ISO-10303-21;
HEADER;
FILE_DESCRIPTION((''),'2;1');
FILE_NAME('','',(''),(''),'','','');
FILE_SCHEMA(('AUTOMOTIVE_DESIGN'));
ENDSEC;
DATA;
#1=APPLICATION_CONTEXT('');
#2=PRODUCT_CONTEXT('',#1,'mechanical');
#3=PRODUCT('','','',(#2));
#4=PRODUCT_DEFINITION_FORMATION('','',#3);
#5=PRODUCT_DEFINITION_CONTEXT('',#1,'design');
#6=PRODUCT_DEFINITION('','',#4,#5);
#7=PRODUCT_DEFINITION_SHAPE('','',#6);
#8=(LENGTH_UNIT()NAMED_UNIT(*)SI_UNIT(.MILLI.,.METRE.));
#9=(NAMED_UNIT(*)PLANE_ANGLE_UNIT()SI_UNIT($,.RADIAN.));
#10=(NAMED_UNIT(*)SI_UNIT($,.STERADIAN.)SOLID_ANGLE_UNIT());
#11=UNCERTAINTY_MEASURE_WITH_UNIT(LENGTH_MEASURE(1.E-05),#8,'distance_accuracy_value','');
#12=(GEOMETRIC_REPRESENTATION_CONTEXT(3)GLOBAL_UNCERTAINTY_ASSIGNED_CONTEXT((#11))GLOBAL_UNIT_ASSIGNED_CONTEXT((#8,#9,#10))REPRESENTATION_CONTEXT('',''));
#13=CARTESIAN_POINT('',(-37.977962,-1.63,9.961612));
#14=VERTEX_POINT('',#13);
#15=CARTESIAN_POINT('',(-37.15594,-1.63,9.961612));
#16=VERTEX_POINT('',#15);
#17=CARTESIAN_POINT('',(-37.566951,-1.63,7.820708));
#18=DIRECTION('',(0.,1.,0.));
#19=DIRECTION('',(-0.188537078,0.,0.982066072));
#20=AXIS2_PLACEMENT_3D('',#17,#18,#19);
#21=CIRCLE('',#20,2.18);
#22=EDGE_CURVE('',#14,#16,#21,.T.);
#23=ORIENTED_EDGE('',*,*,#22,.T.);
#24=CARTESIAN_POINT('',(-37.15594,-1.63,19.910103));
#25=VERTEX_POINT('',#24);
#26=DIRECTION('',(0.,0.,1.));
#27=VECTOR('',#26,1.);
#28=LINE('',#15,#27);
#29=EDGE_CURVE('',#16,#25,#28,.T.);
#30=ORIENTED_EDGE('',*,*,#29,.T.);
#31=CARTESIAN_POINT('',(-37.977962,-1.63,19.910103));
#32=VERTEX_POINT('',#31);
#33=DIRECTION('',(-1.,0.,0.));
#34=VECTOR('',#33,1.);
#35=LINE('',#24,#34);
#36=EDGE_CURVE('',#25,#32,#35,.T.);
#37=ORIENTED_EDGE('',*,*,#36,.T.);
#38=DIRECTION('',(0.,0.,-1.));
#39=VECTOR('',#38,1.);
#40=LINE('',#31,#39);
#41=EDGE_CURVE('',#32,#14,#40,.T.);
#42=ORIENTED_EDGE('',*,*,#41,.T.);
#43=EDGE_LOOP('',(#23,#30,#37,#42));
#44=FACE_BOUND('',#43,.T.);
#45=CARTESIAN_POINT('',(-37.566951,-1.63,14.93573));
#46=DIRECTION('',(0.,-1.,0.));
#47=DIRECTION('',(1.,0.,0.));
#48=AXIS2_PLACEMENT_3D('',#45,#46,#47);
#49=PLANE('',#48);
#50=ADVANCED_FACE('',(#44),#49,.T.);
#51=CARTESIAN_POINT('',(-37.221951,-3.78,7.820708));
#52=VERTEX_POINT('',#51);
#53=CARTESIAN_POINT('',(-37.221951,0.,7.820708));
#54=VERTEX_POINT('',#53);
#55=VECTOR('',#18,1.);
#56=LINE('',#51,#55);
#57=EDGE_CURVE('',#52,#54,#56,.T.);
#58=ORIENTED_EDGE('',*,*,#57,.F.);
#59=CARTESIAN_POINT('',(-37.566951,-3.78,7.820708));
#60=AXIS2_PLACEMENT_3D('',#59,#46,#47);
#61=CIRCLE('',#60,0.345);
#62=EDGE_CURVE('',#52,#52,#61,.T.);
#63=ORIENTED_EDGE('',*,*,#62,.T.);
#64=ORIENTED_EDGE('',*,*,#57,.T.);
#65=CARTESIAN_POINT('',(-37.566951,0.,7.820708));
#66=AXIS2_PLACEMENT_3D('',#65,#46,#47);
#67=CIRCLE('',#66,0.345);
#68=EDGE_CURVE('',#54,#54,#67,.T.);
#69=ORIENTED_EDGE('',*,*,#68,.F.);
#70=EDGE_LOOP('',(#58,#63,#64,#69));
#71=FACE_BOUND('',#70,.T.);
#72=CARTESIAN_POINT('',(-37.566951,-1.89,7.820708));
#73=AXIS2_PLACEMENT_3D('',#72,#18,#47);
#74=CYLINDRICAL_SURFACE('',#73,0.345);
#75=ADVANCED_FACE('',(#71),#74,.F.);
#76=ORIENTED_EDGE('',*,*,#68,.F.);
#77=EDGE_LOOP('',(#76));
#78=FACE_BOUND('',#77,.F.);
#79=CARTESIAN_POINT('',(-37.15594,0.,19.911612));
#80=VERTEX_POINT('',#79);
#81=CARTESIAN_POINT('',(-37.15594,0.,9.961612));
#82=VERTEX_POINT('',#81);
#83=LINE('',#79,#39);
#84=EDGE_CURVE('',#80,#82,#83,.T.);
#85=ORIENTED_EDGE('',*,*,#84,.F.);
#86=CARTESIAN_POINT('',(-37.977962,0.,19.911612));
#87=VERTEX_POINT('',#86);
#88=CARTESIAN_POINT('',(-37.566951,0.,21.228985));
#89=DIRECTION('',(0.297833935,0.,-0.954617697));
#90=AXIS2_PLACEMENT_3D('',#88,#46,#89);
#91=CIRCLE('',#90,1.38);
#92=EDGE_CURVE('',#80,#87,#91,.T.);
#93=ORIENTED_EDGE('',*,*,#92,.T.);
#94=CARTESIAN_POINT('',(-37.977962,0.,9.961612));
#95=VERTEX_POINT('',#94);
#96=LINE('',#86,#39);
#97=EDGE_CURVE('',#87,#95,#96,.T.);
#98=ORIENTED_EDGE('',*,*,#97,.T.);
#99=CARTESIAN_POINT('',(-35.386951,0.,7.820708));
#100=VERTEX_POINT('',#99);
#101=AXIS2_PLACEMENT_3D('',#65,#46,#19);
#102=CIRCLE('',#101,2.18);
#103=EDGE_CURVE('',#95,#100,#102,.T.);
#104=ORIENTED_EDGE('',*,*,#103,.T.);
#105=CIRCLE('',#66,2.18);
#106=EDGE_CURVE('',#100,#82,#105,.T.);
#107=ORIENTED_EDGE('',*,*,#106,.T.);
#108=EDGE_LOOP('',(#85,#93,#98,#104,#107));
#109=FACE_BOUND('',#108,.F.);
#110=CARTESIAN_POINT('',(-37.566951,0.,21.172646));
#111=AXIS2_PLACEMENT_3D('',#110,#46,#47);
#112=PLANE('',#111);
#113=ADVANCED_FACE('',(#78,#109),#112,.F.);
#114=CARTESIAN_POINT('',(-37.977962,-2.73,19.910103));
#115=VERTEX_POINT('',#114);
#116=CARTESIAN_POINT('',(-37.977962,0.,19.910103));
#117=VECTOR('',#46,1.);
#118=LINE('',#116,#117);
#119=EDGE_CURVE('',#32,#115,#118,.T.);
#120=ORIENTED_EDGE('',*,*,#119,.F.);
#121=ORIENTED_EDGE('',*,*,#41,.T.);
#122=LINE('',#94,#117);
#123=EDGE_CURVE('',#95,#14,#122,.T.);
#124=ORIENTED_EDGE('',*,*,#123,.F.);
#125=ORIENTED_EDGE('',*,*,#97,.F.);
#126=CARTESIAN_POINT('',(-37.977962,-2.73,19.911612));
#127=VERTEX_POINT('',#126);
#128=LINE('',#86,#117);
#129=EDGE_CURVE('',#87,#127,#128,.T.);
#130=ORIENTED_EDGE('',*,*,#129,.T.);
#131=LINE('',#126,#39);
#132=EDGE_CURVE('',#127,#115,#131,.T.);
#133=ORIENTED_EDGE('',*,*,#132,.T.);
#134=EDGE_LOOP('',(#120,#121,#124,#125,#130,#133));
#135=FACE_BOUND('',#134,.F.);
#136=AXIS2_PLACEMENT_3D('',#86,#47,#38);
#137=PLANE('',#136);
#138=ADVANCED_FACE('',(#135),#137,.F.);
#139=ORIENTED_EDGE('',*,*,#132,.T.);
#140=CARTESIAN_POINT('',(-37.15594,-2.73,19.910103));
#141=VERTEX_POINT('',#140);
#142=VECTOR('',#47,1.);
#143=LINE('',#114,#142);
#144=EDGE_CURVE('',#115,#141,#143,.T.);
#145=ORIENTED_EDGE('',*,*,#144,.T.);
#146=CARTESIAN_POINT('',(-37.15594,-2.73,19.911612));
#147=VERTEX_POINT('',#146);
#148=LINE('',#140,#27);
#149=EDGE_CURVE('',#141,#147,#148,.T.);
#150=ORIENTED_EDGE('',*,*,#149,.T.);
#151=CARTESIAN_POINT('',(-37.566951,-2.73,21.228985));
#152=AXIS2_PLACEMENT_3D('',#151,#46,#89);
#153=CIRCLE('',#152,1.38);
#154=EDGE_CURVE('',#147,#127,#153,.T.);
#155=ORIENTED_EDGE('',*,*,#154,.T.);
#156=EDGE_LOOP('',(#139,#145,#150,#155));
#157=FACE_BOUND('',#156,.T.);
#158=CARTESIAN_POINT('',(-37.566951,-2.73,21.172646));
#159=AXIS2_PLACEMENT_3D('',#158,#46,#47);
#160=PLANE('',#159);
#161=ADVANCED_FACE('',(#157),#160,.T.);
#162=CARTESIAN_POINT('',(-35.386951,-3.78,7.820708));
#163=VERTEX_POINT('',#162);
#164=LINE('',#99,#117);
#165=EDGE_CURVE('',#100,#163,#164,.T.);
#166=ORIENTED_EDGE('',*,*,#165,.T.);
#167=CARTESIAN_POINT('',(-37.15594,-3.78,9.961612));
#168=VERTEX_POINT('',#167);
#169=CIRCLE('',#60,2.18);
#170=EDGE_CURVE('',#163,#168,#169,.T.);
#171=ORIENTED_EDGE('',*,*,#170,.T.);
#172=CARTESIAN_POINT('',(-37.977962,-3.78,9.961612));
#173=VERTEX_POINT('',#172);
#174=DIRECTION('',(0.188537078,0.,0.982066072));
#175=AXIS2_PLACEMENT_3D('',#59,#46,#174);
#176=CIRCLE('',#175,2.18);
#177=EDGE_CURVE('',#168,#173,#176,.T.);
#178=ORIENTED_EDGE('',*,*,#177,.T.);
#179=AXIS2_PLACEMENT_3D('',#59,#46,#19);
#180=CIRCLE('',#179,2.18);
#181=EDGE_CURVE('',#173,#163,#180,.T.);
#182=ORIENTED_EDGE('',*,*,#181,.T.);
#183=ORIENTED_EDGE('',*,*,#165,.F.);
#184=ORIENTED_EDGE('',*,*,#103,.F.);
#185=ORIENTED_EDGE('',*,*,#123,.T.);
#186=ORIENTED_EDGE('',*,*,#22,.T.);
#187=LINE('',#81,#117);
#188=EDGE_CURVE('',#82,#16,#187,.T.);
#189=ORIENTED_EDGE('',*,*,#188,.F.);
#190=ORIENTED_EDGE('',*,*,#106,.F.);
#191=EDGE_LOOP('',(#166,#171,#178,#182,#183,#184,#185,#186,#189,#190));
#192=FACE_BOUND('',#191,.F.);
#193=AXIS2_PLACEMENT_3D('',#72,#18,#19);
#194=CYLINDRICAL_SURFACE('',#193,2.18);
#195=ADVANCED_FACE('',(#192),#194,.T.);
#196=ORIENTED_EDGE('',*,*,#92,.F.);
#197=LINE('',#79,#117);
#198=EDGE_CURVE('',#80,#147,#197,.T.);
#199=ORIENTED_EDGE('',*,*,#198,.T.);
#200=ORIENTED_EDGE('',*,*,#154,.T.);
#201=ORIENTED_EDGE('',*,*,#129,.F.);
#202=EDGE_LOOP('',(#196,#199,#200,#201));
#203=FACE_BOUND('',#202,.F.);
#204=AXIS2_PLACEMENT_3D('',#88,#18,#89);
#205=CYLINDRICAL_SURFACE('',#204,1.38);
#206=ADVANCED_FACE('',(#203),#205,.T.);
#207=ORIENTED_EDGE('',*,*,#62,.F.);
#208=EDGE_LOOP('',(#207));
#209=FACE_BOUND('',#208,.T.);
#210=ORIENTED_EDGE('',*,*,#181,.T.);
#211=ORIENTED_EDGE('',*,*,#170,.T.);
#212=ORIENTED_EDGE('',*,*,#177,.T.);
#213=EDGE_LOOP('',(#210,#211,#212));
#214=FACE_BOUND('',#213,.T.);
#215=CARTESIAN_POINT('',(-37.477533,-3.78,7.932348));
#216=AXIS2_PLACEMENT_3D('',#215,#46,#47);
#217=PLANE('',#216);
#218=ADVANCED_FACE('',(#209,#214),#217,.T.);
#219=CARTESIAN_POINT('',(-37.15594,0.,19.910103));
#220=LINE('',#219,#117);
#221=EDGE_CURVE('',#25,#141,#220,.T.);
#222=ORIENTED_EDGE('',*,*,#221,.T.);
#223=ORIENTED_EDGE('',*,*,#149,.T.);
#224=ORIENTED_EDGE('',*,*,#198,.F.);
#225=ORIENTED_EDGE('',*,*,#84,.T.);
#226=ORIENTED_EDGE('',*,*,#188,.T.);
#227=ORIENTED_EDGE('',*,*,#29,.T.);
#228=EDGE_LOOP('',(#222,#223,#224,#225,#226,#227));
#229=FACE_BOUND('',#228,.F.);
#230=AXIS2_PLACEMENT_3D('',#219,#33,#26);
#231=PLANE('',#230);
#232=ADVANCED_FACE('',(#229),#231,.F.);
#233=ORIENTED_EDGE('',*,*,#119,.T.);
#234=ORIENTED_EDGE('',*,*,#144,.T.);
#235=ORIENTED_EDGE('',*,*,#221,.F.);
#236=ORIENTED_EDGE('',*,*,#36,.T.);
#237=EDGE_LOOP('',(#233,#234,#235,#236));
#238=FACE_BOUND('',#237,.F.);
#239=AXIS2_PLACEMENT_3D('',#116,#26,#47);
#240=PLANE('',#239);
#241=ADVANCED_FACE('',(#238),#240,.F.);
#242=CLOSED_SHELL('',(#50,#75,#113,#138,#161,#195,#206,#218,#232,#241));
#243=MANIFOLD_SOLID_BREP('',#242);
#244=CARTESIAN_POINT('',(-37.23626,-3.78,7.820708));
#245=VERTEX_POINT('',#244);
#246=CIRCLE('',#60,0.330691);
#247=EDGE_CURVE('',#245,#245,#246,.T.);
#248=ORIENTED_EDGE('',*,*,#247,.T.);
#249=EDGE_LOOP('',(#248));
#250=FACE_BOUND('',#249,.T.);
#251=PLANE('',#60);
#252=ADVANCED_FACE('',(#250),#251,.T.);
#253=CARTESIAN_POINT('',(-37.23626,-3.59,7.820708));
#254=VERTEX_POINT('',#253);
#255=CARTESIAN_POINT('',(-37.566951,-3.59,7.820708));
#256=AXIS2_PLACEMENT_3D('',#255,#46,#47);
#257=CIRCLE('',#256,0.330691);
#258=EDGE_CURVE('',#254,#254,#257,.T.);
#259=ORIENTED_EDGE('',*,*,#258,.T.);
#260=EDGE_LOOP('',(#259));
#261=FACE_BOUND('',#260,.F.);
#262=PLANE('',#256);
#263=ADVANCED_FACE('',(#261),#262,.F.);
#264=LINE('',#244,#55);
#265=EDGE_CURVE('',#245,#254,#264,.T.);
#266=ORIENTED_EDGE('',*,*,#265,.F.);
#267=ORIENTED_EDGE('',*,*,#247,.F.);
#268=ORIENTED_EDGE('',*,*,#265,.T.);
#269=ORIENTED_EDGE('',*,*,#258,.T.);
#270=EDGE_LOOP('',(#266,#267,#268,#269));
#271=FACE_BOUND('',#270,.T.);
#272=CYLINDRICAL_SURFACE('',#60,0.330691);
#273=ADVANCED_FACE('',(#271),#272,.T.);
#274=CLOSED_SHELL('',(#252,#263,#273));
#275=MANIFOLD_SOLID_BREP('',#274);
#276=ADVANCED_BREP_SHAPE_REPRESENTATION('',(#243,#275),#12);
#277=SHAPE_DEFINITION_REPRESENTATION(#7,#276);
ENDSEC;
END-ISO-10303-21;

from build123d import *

# Parameters (mm, degrees)
F0_R     = 0.345
F2_DEPTH = 1.89
F3_DEPTH = 1.63
F4_DEPTH = 2.73
F5_DEPTH = 1.89
F6_R     = 0.3306910567
F7_DEPTH = 0.19


with BuildPart() as f2:
    # F0 (on Front) → F2 (new body)
    with BuildSketch(Plane.XZ):
        with BuildLine():
            ThreePointArc((-37.977961816, 9.961612202), (-38.9555467493, 6.1401719986), (-35.3869509856, 7.8207081646))
            ThreePointArc((-35.3869509856, 7.8207081646), (-35.8864148197, 9.2093039283), (-37.1559401553, 9.961612202))
            ThreePointArc((-37.1559401553, 9.961612202), (-37.5669509856, 10.0007081646), (-37.977961816, 9.961612202))
        make_face()
        with Locations((-37.5669509856, 7.8207081646)):
            Circle(F0_R, mode=Mode.SUBTRACT)
    extrude(amount=F2_DEPTH)

    # F1 (on face) → F3 (join)
    with BuildSketch(Plane.XZ):
        with BuildLine():
            Line((-37.1559401553, 19.9101027101), (-37.977961816, 19.9101027101))
            Line((-37.977961816, 19.9101027101), (-37.977961816, 9.961612202))
            ThreePointArc((-37.977961816, 9.961612202), (-37.5669509856, 10.0007081646), (-37.1559401553, 9.961612202))
            Line((-37.1559401553, 9.961612202), (-37.1559401553, 19.9101027101))
        make_face()
    extrude(amount=F3_DEPTH)

    # F1 (on face) → F4 (join)
    with BuildSketch(Plane.XZ):
        with BuildLine():
            Line((-37.977961816, 19.911612202), (-37.977961816, 19.9101027101))
            Line((-37.977961816, 19.9101027101), (-37.1559401553, 19.9101027101))
            Line((-37.1559401553, 19.9101027101), (-37.1559401553, 19.911612202))
            ThreePointArc((-37.1559401553, 19.911612202), (-37.5669509856, 22.6089846236), (-37.977961816, 19.911612202))
        make_face()
    extrude(amount=F4_DEPTH)

    # F5 (add): a face of the model
    f5_faces = [f2.faces().sort_by_distance(p)[0] for p in [
        (-39.6852912743, -1.89, 7.8207081646),
    ]]
    extrude(f5_faces, amount=F5_DEPTH)


with BuildPart() as f7:
    # F6 (on face) → F7 (new body)
    with BuildSketch(Plane.XZ.offset(3.78)):
        with Locations((-37.5669509856, 7.8207081646)):
            Circle(F6_R)
    extrude(amount=-F7_DEPTH)


solid = Compound([f2.part, f7.part])
